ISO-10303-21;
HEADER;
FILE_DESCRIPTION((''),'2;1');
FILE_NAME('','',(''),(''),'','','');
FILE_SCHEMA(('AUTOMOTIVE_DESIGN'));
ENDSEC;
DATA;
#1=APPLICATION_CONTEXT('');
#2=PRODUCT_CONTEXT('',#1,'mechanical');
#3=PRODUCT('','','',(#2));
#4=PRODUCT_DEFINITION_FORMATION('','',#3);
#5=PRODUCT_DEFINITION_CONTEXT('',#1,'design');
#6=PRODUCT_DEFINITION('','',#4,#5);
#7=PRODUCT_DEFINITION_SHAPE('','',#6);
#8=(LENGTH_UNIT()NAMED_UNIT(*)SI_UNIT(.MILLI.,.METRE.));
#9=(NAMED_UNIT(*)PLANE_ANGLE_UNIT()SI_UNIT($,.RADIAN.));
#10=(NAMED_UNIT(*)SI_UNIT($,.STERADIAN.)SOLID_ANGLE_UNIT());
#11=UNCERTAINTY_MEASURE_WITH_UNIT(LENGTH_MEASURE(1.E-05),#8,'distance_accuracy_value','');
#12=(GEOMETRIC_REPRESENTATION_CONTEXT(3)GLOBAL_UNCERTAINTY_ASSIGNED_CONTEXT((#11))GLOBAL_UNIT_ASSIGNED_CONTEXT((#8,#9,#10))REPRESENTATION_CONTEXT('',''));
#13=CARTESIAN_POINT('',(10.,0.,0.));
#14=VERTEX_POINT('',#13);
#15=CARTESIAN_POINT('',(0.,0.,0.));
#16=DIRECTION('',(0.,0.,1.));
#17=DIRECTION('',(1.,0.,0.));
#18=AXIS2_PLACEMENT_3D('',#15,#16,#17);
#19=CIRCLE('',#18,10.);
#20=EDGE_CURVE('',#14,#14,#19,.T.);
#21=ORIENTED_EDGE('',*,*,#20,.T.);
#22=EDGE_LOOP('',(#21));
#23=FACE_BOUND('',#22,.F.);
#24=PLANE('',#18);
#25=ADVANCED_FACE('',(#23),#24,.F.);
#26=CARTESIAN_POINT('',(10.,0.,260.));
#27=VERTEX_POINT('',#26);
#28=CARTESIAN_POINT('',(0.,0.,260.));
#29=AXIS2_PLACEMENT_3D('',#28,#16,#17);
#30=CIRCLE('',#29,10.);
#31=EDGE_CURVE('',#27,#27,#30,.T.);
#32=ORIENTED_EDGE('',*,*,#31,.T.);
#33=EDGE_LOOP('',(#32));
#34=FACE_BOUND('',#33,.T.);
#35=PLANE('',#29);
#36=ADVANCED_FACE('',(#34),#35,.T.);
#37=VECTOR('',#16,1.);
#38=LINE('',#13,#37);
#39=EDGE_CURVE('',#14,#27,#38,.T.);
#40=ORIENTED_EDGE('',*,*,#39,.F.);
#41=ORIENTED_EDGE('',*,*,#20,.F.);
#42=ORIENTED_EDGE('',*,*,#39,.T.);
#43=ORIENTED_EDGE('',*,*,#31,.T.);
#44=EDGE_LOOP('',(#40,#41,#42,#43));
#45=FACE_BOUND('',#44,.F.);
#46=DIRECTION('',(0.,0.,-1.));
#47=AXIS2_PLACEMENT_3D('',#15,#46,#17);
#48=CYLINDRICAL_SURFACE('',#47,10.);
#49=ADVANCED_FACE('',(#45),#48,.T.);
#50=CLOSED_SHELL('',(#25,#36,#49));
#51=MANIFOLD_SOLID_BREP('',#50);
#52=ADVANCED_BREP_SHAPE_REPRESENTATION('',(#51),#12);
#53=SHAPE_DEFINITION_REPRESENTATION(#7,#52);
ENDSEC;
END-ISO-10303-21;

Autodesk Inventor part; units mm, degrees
ref_plane "YZ Plane" through (0, 0, 0) normal (1, 0, 0) x (0, 1, 0)
ref_plane "XZ Plane" through (0, 0, 0) normal (0, 1, 0) x (-1, 0, 0)
ref_plane "XY Plane" through (0, 0, 0) normal (0, 0, 1) x (1, 0, 0)
sketch "Szkic1" plane through (0, 0, 0) normal (0, 0, 1) x (1, 0, 0)
  circle A0 centre (0, 0) radius 10
  dimension "d0" = 20
extrude "Wyciągnięcie proste1" add sketch "Szkic1" along normal blind 260
properties part number "sworzeń1"
